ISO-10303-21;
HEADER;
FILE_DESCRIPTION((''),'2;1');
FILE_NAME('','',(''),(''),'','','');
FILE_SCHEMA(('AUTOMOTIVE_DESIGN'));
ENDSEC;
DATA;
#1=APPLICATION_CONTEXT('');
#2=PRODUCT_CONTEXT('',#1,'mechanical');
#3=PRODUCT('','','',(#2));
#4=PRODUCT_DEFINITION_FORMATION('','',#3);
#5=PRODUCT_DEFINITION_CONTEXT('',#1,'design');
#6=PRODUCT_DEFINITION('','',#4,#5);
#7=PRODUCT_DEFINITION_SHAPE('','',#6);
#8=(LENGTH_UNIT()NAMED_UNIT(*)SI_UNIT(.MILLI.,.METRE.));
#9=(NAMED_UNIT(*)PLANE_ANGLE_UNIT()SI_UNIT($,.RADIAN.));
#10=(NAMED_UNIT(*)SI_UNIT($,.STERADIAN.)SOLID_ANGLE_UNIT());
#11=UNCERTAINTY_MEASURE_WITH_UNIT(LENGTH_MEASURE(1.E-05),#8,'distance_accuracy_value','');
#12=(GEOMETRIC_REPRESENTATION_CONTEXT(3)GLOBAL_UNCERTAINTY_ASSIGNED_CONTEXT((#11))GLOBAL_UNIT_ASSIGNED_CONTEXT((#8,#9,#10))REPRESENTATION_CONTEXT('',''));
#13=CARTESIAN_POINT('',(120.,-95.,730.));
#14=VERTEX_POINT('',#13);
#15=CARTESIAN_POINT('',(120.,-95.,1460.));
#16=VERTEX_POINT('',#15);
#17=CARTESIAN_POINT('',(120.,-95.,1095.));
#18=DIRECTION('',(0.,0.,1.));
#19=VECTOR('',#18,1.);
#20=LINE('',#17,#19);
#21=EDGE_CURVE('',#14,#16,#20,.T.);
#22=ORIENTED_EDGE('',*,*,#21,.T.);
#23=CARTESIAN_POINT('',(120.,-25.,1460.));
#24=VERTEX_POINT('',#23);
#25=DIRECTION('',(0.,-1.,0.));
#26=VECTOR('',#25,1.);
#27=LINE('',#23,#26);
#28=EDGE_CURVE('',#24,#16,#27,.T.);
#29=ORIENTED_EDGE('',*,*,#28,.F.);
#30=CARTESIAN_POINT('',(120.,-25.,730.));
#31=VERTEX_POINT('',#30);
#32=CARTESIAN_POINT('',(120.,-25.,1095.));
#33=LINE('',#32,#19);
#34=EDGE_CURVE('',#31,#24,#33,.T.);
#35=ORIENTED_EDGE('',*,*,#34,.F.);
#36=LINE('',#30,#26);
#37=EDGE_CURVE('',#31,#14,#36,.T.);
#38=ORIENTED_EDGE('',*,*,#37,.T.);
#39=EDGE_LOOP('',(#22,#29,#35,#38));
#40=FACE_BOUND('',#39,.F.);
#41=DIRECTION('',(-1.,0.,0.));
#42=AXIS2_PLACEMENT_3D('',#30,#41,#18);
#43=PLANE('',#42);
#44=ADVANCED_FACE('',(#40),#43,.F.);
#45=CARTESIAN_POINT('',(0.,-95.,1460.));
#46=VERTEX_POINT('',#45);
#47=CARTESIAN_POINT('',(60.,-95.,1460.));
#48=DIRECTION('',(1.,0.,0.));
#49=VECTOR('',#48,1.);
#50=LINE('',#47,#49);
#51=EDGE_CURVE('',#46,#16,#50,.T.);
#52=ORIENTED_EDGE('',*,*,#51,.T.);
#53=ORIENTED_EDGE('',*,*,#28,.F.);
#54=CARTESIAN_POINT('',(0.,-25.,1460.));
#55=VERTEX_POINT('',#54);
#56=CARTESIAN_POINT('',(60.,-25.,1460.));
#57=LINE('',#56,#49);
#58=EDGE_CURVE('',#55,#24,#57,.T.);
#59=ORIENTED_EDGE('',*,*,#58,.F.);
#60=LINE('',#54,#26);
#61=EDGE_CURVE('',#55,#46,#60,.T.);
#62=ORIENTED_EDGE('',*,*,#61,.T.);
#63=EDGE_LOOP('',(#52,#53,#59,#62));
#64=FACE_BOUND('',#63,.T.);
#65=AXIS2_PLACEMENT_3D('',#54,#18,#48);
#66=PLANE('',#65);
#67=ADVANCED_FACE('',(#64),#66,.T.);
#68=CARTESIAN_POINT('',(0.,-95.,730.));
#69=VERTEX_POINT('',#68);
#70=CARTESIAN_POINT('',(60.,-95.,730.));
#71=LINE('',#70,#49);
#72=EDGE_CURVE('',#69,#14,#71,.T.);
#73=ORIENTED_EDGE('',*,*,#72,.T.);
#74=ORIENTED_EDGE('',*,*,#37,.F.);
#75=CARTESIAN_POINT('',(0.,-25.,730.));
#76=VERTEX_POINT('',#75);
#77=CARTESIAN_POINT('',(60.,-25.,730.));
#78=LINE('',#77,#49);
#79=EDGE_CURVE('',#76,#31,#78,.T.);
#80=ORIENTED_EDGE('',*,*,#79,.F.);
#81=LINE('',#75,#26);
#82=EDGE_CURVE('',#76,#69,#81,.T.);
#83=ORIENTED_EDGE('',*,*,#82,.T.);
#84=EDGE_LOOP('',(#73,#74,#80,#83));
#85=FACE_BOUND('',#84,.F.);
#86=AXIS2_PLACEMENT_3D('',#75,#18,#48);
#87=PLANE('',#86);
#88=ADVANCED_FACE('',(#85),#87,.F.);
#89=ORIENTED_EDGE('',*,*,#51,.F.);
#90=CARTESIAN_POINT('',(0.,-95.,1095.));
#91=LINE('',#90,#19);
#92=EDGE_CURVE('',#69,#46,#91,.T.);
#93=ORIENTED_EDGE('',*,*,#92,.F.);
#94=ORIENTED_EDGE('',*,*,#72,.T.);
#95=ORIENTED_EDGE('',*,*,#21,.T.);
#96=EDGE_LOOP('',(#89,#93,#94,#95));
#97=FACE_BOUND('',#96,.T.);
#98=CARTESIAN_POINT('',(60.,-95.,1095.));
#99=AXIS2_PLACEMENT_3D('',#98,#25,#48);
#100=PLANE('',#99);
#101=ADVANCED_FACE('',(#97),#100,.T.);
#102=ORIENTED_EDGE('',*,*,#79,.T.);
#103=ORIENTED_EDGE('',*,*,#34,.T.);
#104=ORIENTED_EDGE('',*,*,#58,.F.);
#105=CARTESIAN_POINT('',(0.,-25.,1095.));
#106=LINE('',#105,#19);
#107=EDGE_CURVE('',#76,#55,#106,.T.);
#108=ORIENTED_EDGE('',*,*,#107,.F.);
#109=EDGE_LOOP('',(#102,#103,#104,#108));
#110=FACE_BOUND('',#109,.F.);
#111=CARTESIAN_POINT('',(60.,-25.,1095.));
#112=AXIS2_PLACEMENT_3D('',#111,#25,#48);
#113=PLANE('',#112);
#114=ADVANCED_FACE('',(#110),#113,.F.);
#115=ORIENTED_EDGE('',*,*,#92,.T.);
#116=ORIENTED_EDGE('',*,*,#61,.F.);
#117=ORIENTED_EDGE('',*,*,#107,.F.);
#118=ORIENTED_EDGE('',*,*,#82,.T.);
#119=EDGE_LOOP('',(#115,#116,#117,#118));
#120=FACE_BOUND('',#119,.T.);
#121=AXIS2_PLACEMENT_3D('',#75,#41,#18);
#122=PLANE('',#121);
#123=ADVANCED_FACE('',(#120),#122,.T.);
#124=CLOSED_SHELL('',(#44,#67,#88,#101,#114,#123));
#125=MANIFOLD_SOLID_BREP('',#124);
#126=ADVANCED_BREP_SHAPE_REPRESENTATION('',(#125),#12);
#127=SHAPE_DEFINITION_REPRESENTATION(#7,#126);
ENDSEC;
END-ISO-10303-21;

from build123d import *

# Parameters (mm, degrees)
F0_W     = 120
F0_H     = 730
F1_DEPTH = 70


with BuildPart() as f1:
    # F0 (on Front) → F1 (new body)
    with BuildSketch(Plane.XZ):
        with Locations((60, 365)):
            Rectangle(F0_W, F0_H)
    extrude(amount=F1_DEPTH)


with BuildPart() as f1_1:
    # F3: moved
    add(f1.part.moved(Location((0, 0, 730))))


with BuildPart() as f1_2:
    # F4: moved
    add(f1_1.part.moved(Location((0, -25, 0))))


solid = f1_2.part
